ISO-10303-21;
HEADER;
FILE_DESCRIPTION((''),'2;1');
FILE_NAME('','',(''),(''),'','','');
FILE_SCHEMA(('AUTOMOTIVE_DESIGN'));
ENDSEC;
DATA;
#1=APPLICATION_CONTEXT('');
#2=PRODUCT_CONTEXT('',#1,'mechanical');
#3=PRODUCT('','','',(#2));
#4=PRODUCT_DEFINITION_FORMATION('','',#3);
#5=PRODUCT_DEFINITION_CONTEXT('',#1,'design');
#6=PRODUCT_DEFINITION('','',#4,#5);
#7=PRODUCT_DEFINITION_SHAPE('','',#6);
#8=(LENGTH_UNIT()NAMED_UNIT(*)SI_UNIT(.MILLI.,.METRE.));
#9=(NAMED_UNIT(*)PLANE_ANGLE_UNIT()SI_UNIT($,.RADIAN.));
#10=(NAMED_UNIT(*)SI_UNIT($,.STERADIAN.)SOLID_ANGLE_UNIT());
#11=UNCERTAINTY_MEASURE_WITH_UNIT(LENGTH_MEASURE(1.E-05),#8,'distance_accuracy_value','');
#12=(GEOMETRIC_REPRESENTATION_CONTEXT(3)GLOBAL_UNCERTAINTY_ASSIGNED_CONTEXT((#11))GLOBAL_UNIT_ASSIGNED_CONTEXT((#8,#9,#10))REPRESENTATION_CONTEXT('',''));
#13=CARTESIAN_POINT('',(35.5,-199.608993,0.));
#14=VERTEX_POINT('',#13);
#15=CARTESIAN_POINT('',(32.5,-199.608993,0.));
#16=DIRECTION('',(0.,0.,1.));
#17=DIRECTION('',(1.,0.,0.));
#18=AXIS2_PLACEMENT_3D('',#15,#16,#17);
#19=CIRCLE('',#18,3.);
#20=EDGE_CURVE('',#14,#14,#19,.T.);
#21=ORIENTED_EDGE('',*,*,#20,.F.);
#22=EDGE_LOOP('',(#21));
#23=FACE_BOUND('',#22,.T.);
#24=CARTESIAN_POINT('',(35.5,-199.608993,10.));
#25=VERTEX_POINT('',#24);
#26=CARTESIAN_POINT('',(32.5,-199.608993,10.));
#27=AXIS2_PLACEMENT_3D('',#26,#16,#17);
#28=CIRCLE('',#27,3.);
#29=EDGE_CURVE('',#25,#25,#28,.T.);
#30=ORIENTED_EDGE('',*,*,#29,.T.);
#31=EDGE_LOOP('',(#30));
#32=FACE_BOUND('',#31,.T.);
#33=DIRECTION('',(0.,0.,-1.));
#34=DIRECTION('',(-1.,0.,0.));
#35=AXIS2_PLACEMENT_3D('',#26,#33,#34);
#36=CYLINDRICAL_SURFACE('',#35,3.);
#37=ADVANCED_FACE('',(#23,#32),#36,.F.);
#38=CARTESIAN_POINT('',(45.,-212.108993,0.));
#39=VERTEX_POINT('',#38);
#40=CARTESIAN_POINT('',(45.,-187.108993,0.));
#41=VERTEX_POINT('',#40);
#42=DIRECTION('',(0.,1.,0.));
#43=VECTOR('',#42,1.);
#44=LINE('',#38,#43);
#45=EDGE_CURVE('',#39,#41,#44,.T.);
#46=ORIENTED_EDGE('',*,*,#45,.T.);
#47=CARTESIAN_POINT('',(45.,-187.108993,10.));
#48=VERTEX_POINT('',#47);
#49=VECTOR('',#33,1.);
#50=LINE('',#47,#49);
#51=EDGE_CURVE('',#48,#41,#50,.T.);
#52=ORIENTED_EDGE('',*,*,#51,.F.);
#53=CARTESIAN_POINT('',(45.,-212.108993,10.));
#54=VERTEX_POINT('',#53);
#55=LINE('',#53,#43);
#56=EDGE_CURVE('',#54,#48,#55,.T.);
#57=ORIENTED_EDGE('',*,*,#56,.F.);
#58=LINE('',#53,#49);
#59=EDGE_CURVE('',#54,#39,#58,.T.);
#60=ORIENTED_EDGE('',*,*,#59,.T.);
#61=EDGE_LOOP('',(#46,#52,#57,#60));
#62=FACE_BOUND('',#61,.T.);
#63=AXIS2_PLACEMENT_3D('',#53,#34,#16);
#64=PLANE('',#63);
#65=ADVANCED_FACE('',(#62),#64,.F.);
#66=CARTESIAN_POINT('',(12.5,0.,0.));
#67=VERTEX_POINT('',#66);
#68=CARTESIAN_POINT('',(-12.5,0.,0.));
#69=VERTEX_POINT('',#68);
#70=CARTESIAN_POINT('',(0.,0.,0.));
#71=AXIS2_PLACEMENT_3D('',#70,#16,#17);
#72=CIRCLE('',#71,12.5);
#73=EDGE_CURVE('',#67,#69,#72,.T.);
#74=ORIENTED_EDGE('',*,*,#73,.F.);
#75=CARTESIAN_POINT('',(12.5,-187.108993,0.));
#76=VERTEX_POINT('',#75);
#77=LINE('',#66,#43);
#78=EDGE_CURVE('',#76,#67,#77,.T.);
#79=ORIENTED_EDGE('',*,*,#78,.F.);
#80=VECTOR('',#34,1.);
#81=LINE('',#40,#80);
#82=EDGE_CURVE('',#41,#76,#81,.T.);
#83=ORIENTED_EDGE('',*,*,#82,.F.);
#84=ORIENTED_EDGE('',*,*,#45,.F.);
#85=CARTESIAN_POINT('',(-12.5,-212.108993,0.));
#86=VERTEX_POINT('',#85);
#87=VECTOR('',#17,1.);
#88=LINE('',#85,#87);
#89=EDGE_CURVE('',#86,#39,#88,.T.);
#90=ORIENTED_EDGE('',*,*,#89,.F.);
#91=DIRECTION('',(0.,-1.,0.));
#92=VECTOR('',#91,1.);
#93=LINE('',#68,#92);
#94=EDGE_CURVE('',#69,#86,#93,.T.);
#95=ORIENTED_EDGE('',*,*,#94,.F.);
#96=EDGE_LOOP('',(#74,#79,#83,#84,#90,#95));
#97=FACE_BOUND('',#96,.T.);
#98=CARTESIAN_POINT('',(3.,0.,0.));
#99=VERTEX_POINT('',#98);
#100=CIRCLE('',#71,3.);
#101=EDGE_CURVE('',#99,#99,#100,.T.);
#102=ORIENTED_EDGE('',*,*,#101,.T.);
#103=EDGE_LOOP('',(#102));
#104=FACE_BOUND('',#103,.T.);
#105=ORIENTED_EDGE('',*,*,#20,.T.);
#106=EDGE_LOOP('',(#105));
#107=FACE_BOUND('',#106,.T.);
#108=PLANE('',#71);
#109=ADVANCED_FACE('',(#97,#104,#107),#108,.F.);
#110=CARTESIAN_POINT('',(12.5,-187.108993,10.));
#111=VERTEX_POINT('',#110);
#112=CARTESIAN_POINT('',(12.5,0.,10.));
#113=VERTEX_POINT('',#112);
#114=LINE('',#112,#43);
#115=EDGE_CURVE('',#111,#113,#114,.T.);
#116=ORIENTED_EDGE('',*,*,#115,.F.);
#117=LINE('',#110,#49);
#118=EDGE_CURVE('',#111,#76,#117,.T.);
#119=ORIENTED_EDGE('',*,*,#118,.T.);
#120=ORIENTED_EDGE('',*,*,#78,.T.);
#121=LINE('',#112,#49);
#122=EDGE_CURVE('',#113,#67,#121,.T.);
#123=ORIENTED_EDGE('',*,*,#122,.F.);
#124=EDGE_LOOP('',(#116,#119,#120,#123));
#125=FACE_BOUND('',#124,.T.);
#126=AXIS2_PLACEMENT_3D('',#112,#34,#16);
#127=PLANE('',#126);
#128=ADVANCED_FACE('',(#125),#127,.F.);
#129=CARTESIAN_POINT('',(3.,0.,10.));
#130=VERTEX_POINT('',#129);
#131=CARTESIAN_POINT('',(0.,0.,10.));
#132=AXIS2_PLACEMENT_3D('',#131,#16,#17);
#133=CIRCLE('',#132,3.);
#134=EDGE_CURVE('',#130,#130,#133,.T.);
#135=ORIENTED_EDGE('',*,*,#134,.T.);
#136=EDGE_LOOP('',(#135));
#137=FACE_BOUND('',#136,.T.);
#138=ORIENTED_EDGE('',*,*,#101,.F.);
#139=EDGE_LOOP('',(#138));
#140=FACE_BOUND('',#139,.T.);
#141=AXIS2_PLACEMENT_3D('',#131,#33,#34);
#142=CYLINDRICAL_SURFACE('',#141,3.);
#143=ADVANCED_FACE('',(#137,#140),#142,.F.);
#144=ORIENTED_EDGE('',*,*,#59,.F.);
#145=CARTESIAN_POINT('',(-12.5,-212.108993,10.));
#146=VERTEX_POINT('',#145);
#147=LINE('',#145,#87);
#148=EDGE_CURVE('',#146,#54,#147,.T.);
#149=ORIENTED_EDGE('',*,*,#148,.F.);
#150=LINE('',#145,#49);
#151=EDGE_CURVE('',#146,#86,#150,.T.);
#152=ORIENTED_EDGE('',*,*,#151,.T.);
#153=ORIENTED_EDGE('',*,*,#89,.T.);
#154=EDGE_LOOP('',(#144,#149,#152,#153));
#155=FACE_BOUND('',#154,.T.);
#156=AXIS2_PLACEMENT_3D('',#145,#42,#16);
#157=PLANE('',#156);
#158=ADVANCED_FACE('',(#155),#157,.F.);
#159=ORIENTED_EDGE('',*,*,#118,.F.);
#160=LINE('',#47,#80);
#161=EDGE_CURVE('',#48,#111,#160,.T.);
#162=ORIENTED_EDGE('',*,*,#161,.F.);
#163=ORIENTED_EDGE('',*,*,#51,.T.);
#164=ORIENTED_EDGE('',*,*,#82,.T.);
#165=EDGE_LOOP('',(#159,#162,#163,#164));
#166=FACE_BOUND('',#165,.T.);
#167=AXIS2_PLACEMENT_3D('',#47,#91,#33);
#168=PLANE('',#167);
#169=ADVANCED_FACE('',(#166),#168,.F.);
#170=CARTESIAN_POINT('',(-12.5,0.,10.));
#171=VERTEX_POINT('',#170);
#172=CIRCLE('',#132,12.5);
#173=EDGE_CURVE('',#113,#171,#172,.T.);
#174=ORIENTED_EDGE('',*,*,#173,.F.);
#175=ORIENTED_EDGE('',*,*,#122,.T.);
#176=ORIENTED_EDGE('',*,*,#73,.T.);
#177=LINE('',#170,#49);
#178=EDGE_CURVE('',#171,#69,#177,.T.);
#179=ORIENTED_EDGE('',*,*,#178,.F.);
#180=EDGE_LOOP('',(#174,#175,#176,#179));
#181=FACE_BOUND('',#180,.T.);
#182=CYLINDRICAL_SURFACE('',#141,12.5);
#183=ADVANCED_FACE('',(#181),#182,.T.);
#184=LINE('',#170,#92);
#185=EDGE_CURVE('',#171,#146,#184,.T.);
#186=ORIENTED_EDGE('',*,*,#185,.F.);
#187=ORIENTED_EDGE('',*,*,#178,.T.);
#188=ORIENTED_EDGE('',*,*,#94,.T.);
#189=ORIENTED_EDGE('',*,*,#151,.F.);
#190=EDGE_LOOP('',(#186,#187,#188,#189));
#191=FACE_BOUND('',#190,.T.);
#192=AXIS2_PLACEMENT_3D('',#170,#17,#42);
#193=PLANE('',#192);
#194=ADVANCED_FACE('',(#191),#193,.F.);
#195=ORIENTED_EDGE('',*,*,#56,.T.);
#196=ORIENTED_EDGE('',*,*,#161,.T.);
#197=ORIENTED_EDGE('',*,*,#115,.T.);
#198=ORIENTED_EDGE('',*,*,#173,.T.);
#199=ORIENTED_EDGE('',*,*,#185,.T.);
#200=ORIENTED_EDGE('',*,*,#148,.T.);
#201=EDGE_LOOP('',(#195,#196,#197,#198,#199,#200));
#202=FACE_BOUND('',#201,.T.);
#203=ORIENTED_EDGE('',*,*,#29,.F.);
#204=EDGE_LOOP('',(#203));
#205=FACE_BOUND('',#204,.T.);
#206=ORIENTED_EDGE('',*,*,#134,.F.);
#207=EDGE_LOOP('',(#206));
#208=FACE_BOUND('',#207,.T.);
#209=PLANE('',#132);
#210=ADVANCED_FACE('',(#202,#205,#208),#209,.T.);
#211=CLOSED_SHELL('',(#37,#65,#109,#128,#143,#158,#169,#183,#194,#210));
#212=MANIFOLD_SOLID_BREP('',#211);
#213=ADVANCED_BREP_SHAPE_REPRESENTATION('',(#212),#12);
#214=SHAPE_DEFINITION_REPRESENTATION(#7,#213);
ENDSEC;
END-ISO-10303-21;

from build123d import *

# Parameters (mm, degrees)
SKETCH1_R           = 3
BOSS_EXTRUDE1_DEPTH = 10


with BuildPart() as part:
    # Sketch1 → Boss-Extrude1 (new body)
    with BuildSketch(Plane.XY):
        with BuildLine():
            Line((-12.5, 0), (-12.5, -212.108992783))
            Line((-12.5, -212.108992783), (45, -212.108992783))
            Line((45, -212.108992783), (45, -187.108992783))
            Line((45, -187.108992783), (12.5, -187.108992783))
            Line((12.5, -187.108992783), (12.5, 0))
            ThreePointArc((12.5, 0), (0, 12.5), (-12.5, 0))
        make_face()
        Circle(SKETCH1_R, mode=Mode.SUBTRACT)
        with Locations((32.5, -199.608992783)):
            Circle(SKETCH1_R, mode=Mode.SUBTRACT)
    extrude(amount=BOSS_EXTRUDE1_DEPTH)


solid = part.part
